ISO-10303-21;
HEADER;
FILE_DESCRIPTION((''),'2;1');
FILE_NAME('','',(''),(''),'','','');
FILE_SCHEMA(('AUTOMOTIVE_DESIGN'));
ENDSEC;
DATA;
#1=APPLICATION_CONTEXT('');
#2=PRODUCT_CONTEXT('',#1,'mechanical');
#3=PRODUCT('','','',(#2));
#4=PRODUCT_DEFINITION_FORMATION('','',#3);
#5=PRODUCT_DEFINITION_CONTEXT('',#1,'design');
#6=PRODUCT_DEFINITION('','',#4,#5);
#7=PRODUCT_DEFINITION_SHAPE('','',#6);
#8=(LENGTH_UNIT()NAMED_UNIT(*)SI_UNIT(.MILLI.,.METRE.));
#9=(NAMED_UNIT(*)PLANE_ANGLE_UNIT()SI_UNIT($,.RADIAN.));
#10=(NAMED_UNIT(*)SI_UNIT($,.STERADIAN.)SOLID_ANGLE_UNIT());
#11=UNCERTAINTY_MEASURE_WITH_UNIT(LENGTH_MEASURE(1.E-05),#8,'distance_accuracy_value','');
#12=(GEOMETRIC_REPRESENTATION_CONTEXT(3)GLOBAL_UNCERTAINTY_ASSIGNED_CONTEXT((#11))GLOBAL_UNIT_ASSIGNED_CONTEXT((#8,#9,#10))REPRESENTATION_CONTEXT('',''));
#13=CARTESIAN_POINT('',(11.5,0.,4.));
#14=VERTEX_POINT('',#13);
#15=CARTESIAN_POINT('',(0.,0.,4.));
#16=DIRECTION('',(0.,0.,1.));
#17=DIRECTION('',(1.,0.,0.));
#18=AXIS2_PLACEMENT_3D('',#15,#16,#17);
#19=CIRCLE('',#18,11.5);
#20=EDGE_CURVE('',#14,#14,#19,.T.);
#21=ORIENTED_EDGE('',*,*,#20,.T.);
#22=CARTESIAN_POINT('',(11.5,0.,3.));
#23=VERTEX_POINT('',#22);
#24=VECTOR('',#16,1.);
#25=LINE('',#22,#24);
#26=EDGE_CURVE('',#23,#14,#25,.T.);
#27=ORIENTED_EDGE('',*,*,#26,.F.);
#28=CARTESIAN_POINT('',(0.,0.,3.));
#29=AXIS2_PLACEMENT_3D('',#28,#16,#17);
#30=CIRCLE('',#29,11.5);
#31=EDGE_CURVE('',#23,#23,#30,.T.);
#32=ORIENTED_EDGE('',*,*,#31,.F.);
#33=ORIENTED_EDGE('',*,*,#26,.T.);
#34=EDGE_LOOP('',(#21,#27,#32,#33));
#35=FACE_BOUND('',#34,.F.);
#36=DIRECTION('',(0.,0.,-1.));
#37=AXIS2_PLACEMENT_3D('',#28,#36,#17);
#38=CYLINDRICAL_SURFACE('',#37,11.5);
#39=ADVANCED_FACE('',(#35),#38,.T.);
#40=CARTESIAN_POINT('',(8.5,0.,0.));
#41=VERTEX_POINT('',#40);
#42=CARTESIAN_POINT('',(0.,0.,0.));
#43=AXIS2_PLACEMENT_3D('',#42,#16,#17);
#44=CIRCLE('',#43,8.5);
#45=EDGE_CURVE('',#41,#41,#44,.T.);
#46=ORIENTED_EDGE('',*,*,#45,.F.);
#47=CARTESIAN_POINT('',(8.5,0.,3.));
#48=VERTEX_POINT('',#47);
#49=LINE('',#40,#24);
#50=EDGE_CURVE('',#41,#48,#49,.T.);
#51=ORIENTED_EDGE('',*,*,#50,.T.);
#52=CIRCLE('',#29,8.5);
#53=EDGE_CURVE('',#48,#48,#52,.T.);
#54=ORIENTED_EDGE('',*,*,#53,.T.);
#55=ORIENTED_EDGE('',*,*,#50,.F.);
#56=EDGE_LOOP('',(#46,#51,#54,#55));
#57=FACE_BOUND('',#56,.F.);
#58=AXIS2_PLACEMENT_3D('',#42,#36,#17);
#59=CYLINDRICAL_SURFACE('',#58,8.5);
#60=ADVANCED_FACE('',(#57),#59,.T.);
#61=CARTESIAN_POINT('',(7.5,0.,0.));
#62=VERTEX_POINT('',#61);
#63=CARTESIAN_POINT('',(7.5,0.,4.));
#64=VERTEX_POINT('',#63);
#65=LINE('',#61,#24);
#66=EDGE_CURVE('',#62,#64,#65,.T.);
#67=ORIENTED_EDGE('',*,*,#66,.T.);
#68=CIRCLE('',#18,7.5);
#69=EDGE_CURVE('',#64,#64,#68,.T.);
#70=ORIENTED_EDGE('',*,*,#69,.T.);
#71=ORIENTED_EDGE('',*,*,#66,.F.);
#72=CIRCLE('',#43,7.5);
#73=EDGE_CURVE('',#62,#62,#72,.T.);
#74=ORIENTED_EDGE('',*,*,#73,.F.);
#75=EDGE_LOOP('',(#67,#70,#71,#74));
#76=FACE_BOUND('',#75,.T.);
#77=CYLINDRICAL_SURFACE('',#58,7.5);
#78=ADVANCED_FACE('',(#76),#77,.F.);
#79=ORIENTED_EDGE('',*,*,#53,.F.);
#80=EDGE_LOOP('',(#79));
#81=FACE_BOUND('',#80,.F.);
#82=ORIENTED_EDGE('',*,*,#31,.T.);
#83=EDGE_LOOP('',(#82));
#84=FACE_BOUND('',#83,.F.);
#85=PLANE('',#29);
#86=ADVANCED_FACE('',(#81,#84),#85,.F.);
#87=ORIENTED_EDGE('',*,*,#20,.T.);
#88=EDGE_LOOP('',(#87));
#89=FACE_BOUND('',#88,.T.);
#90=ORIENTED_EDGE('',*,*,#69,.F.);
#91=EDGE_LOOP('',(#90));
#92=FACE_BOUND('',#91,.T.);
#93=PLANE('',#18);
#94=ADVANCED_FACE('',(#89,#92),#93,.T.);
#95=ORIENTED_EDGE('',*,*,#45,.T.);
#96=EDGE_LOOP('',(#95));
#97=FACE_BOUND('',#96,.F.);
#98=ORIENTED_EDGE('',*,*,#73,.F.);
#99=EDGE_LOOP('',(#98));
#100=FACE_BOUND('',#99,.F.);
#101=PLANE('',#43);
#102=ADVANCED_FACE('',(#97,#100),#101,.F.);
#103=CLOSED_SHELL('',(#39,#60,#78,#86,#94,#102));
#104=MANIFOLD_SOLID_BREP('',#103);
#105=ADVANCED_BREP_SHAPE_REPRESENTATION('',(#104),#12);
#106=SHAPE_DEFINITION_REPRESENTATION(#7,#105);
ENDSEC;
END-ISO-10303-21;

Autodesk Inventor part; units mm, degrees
ref_plane "YZ Plane" through (0, 0, 0) normal (1, 0, 0) x (0, 1, 0)
ref_plane "XZ Plane" through (0, 0, 0) normal (0, 1, 0) x (-1, 0, 0)
ref_plane "XY Plane" through (0, 0, 0) normal (0, 0, 1) x (1, 0, 0)
sketch "スケッチ1" plane through (0, 0, 0) normal (0, 0, 1) x (1, 0, 0)
  circle A0 centre (0, 0) radius 7.5
  circle A1 centre (0, 0) radius 8.5
  dimension "d0" = 15
  dimension "d1" = 17
extrude "押し出し1" add sketch "スケッチ1" along normal blind 3
sketch "スケッチ2" plane through (0, 0, 3) normal (0, 0, 1) x (1, 0, 0)
  circle A0 centre (0, 0) radius 7.5 projected
  circle A1 centre (0, 0) radius 11.5
  dimension "d4" = 23
extrude "押し出し2" add sketch "スケッチ2" along normal blind 1
properties part number "オイレスフランジ付き151703" material "アセタール樹脂、黒"
